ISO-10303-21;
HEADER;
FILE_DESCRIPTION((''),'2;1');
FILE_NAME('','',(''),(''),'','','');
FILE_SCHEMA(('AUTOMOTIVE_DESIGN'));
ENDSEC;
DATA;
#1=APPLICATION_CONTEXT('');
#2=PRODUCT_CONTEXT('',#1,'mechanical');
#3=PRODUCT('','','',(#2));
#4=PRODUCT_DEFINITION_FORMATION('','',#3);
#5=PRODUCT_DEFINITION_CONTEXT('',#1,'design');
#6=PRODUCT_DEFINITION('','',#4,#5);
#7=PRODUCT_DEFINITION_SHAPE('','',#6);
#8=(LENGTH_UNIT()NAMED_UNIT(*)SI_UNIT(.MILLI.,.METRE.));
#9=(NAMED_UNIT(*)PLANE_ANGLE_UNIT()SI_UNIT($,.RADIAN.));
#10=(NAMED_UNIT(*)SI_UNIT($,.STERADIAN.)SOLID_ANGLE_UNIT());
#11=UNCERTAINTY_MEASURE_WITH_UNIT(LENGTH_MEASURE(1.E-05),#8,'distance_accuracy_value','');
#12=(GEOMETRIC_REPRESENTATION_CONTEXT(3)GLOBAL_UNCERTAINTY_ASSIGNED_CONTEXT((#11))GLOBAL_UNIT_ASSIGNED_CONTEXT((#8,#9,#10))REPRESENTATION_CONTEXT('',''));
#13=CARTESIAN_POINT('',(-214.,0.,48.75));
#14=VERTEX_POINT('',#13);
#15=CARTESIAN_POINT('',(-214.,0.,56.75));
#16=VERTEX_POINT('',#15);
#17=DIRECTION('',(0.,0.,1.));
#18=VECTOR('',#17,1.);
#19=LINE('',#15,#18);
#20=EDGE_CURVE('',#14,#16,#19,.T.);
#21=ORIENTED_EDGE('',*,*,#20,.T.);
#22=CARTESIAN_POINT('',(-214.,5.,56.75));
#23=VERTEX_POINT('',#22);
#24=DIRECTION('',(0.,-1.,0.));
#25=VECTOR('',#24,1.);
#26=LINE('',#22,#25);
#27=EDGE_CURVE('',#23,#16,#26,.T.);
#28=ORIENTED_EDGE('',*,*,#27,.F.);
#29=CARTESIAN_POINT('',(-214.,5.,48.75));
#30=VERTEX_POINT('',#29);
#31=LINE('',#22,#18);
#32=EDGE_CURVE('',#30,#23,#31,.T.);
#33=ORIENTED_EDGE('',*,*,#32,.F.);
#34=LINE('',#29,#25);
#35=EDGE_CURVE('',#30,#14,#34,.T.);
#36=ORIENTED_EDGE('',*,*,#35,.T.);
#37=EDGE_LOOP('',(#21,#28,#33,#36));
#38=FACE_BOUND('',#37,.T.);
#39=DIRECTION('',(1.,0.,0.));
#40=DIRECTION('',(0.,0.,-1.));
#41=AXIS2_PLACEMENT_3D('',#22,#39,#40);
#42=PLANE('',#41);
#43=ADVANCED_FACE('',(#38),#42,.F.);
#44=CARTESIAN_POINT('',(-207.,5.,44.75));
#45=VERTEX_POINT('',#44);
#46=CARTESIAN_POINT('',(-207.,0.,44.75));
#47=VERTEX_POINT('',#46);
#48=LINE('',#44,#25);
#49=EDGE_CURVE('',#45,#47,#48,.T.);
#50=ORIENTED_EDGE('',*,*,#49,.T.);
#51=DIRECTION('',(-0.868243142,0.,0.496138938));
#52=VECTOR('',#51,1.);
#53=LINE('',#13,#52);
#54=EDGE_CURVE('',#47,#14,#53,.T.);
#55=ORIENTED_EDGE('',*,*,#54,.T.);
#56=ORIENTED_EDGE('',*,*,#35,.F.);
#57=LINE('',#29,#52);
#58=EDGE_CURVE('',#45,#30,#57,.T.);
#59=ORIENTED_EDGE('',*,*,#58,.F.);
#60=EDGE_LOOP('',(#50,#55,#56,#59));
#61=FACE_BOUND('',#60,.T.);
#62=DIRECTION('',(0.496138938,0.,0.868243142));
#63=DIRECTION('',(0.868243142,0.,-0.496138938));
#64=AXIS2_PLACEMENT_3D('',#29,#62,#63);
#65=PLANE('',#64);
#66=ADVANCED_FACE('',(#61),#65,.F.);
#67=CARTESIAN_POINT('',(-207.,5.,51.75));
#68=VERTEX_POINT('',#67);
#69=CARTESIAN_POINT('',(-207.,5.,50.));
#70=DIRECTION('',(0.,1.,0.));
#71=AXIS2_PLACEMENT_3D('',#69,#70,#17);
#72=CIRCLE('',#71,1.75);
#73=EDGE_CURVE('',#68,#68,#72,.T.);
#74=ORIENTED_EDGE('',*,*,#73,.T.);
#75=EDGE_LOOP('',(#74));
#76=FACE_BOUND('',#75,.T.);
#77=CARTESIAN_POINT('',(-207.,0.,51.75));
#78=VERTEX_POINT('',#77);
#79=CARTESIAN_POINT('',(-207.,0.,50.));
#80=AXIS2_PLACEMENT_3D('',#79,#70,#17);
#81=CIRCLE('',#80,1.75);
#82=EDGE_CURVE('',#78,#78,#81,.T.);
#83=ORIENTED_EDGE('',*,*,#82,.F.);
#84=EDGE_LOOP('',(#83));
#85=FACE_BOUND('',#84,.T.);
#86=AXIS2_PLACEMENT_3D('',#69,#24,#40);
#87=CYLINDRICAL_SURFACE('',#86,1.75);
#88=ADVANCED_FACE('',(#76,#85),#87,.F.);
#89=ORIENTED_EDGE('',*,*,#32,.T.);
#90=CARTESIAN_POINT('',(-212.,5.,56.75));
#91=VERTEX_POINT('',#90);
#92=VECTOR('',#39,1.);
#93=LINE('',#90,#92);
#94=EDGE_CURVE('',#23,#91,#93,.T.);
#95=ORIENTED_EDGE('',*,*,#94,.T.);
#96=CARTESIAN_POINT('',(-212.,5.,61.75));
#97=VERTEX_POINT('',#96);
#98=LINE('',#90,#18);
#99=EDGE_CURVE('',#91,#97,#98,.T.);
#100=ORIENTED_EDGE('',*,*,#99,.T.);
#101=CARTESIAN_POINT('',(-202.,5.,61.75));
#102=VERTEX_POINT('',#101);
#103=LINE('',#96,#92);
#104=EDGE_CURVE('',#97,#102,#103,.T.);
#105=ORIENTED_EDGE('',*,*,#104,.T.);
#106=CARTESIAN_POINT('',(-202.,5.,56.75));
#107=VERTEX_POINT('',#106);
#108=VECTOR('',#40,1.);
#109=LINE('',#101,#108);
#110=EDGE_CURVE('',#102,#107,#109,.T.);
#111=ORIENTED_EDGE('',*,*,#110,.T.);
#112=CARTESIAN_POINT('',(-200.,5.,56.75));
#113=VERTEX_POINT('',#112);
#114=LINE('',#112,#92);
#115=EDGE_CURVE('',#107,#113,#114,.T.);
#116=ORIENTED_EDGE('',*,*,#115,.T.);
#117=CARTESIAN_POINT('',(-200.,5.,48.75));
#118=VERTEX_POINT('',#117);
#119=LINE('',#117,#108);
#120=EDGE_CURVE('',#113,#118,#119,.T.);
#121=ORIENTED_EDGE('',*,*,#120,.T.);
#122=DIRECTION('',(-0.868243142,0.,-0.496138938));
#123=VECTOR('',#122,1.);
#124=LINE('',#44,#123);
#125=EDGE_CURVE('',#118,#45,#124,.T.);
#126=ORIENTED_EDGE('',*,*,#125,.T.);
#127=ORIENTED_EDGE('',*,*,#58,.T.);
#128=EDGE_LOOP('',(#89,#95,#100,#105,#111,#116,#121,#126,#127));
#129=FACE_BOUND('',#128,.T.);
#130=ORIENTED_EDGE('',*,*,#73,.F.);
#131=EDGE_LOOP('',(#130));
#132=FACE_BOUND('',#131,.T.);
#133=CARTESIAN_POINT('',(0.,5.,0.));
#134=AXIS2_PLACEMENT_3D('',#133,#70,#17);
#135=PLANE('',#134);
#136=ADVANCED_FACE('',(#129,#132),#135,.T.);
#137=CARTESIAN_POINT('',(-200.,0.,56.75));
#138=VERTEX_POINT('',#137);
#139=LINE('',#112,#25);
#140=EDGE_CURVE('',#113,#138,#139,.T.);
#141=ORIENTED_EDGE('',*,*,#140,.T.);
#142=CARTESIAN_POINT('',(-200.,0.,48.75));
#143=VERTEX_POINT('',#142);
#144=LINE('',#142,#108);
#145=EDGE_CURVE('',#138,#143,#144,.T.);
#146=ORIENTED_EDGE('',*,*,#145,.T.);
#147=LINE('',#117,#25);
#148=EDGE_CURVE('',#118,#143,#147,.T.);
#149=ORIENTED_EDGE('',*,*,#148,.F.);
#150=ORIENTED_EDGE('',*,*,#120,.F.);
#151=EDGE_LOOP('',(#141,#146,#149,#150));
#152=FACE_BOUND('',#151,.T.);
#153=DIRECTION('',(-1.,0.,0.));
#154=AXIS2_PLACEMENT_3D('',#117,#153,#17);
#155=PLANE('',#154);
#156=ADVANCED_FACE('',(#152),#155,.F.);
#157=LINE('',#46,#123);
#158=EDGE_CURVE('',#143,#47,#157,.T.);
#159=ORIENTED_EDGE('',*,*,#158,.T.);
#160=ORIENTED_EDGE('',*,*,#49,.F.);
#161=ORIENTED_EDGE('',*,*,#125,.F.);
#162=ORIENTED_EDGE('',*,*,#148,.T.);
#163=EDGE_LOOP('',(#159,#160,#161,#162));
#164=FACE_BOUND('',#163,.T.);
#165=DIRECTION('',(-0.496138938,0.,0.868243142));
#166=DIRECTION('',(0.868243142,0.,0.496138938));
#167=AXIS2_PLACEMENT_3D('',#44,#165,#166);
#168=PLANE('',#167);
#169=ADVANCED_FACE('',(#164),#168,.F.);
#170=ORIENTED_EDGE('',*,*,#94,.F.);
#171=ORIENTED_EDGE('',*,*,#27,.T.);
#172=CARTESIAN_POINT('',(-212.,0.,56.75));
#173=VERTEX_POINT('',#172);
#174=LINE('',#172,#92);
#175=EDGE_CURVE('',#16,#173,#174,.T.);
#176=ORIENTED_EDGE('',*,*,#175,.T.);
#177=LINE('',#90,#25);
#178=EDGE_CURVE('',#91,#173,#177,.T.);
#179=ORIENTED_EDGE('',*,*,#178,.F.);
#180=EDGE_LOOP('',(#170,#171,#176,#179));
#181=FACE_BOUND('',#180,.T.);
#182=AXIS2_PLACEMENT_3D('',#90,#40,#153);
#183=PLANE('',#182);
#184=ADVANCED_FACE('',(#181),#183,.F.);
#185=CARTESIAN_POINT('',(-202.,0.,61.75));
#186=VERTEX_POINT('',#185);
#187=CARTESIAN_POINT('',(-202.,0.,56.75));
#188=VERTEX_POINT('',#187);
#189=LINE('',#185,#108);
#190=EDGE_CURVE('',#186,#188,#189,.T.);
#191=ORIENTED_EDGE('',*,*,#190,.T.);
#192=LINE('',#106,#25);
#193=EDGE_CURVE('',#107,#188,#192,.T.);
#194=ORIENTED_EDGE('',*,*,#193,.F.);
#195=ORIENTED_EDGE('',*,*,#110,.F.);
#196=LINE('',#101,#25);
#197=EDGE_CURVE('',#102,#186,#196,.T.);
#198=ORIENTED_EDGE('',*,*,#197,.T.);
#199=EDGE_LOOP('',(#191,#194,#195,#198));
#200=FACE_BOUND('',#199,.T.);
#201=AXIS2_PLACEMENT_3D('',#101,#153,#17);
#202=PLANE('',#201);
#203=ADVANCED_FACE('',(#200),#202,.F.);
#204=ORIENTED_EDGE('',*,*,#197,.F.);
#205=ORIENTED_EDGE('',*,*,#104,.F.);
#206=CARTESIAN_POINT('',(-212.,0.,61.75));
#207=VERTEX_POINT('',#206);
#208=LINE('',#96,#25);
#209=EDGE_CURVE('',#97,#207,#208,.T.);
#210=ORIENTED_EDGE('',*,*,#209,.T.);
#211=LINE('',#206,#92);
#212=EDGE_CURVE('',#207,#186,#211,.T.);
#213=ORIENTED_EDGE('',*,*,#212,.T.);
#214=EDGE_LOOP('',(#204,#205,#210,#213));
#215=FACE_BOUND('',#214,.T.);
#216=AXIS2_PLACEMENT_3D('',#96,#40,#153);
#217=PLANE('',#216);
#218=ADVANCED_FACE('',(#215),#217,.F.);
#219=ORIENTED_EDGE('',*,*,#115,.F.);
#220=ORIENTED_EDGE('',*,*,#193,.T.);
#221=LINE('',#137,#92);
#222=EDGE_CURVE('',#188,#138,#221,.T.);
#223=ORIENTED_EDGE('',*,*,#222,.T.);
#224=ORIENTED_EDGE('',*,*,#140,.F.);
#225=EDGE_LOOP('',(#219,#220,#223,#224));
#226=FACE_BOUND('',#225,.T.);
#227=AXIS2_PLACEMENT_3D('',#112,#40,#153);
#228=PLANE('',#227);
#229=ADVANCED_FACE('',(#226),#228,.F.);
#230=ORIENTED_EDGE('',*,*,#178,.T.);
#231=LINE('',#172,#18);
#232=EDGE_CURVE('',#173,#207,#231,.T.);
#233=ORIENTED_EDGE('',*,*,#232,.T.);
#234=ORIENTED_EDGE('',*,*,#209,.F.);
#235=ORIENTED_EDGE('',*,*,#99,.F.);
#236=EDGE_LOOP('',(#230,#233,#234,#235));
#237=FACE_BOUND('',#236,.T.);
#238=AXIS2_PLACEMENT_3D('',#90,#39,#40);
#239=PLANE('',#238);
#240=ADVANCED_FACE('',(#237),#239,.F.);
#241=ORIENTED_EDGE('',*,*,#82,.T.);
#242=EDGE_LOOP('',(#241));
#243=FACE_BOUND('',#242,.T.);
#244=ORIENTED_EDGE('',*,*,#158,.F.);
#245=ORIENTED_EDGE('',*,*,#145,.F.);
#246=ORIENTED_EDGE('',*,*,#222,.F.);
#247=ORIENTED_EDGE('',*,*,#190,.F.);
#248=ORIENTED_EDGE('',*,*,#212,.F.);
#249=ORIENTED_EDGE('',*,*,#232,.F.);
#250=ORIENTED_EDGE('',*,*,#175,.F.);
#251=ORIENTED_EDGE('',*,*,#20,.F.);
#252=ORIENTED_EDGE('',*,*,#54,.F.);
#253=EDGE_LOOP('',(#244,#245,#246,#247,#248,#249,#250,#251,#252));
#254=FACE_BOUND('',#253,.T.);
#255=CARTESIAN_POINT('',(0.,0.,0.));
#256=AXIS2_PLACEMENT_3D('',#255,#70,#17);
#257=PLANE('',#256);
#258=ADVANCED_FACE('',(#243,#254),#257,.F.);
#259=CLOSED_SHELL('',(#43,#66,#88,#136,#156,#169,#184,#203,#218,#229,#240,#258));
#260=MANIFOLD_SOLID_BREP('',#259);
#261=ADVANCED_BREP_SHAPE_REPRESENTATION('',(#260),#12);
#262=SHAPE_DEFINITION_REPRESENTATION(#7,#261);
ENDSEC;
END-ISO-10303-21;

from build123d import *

# Parameters (mm, degrees)
SKETCH2_R           = 1.75
BOSS_EXTRUDE3_DEPTH = 5


with BuildPart() as part:
    # Sketch2 → Boss-Extrude3 (new body)
    with BuildSketch(Plane(origin=(0, 0, 0), x_dir=(1, 0, 0), z_dir=(0, 1, 0))):
        Polygon((-214, -48.75), (-207, -44.75), (-200, -48.75), (-200, -56.75), (-202, -56.75), (-202, -61.75), (-212, -61.75), (-212, -56.75), (-214, -56.75), align=None)
        with Locations((-207, -50)):
            Circle(SKETCH2_R, mode=Mode.SUBTRACT)
    extrude(amount=BOSS_EXTRUDE3_DEPTH)


solid = part.part
